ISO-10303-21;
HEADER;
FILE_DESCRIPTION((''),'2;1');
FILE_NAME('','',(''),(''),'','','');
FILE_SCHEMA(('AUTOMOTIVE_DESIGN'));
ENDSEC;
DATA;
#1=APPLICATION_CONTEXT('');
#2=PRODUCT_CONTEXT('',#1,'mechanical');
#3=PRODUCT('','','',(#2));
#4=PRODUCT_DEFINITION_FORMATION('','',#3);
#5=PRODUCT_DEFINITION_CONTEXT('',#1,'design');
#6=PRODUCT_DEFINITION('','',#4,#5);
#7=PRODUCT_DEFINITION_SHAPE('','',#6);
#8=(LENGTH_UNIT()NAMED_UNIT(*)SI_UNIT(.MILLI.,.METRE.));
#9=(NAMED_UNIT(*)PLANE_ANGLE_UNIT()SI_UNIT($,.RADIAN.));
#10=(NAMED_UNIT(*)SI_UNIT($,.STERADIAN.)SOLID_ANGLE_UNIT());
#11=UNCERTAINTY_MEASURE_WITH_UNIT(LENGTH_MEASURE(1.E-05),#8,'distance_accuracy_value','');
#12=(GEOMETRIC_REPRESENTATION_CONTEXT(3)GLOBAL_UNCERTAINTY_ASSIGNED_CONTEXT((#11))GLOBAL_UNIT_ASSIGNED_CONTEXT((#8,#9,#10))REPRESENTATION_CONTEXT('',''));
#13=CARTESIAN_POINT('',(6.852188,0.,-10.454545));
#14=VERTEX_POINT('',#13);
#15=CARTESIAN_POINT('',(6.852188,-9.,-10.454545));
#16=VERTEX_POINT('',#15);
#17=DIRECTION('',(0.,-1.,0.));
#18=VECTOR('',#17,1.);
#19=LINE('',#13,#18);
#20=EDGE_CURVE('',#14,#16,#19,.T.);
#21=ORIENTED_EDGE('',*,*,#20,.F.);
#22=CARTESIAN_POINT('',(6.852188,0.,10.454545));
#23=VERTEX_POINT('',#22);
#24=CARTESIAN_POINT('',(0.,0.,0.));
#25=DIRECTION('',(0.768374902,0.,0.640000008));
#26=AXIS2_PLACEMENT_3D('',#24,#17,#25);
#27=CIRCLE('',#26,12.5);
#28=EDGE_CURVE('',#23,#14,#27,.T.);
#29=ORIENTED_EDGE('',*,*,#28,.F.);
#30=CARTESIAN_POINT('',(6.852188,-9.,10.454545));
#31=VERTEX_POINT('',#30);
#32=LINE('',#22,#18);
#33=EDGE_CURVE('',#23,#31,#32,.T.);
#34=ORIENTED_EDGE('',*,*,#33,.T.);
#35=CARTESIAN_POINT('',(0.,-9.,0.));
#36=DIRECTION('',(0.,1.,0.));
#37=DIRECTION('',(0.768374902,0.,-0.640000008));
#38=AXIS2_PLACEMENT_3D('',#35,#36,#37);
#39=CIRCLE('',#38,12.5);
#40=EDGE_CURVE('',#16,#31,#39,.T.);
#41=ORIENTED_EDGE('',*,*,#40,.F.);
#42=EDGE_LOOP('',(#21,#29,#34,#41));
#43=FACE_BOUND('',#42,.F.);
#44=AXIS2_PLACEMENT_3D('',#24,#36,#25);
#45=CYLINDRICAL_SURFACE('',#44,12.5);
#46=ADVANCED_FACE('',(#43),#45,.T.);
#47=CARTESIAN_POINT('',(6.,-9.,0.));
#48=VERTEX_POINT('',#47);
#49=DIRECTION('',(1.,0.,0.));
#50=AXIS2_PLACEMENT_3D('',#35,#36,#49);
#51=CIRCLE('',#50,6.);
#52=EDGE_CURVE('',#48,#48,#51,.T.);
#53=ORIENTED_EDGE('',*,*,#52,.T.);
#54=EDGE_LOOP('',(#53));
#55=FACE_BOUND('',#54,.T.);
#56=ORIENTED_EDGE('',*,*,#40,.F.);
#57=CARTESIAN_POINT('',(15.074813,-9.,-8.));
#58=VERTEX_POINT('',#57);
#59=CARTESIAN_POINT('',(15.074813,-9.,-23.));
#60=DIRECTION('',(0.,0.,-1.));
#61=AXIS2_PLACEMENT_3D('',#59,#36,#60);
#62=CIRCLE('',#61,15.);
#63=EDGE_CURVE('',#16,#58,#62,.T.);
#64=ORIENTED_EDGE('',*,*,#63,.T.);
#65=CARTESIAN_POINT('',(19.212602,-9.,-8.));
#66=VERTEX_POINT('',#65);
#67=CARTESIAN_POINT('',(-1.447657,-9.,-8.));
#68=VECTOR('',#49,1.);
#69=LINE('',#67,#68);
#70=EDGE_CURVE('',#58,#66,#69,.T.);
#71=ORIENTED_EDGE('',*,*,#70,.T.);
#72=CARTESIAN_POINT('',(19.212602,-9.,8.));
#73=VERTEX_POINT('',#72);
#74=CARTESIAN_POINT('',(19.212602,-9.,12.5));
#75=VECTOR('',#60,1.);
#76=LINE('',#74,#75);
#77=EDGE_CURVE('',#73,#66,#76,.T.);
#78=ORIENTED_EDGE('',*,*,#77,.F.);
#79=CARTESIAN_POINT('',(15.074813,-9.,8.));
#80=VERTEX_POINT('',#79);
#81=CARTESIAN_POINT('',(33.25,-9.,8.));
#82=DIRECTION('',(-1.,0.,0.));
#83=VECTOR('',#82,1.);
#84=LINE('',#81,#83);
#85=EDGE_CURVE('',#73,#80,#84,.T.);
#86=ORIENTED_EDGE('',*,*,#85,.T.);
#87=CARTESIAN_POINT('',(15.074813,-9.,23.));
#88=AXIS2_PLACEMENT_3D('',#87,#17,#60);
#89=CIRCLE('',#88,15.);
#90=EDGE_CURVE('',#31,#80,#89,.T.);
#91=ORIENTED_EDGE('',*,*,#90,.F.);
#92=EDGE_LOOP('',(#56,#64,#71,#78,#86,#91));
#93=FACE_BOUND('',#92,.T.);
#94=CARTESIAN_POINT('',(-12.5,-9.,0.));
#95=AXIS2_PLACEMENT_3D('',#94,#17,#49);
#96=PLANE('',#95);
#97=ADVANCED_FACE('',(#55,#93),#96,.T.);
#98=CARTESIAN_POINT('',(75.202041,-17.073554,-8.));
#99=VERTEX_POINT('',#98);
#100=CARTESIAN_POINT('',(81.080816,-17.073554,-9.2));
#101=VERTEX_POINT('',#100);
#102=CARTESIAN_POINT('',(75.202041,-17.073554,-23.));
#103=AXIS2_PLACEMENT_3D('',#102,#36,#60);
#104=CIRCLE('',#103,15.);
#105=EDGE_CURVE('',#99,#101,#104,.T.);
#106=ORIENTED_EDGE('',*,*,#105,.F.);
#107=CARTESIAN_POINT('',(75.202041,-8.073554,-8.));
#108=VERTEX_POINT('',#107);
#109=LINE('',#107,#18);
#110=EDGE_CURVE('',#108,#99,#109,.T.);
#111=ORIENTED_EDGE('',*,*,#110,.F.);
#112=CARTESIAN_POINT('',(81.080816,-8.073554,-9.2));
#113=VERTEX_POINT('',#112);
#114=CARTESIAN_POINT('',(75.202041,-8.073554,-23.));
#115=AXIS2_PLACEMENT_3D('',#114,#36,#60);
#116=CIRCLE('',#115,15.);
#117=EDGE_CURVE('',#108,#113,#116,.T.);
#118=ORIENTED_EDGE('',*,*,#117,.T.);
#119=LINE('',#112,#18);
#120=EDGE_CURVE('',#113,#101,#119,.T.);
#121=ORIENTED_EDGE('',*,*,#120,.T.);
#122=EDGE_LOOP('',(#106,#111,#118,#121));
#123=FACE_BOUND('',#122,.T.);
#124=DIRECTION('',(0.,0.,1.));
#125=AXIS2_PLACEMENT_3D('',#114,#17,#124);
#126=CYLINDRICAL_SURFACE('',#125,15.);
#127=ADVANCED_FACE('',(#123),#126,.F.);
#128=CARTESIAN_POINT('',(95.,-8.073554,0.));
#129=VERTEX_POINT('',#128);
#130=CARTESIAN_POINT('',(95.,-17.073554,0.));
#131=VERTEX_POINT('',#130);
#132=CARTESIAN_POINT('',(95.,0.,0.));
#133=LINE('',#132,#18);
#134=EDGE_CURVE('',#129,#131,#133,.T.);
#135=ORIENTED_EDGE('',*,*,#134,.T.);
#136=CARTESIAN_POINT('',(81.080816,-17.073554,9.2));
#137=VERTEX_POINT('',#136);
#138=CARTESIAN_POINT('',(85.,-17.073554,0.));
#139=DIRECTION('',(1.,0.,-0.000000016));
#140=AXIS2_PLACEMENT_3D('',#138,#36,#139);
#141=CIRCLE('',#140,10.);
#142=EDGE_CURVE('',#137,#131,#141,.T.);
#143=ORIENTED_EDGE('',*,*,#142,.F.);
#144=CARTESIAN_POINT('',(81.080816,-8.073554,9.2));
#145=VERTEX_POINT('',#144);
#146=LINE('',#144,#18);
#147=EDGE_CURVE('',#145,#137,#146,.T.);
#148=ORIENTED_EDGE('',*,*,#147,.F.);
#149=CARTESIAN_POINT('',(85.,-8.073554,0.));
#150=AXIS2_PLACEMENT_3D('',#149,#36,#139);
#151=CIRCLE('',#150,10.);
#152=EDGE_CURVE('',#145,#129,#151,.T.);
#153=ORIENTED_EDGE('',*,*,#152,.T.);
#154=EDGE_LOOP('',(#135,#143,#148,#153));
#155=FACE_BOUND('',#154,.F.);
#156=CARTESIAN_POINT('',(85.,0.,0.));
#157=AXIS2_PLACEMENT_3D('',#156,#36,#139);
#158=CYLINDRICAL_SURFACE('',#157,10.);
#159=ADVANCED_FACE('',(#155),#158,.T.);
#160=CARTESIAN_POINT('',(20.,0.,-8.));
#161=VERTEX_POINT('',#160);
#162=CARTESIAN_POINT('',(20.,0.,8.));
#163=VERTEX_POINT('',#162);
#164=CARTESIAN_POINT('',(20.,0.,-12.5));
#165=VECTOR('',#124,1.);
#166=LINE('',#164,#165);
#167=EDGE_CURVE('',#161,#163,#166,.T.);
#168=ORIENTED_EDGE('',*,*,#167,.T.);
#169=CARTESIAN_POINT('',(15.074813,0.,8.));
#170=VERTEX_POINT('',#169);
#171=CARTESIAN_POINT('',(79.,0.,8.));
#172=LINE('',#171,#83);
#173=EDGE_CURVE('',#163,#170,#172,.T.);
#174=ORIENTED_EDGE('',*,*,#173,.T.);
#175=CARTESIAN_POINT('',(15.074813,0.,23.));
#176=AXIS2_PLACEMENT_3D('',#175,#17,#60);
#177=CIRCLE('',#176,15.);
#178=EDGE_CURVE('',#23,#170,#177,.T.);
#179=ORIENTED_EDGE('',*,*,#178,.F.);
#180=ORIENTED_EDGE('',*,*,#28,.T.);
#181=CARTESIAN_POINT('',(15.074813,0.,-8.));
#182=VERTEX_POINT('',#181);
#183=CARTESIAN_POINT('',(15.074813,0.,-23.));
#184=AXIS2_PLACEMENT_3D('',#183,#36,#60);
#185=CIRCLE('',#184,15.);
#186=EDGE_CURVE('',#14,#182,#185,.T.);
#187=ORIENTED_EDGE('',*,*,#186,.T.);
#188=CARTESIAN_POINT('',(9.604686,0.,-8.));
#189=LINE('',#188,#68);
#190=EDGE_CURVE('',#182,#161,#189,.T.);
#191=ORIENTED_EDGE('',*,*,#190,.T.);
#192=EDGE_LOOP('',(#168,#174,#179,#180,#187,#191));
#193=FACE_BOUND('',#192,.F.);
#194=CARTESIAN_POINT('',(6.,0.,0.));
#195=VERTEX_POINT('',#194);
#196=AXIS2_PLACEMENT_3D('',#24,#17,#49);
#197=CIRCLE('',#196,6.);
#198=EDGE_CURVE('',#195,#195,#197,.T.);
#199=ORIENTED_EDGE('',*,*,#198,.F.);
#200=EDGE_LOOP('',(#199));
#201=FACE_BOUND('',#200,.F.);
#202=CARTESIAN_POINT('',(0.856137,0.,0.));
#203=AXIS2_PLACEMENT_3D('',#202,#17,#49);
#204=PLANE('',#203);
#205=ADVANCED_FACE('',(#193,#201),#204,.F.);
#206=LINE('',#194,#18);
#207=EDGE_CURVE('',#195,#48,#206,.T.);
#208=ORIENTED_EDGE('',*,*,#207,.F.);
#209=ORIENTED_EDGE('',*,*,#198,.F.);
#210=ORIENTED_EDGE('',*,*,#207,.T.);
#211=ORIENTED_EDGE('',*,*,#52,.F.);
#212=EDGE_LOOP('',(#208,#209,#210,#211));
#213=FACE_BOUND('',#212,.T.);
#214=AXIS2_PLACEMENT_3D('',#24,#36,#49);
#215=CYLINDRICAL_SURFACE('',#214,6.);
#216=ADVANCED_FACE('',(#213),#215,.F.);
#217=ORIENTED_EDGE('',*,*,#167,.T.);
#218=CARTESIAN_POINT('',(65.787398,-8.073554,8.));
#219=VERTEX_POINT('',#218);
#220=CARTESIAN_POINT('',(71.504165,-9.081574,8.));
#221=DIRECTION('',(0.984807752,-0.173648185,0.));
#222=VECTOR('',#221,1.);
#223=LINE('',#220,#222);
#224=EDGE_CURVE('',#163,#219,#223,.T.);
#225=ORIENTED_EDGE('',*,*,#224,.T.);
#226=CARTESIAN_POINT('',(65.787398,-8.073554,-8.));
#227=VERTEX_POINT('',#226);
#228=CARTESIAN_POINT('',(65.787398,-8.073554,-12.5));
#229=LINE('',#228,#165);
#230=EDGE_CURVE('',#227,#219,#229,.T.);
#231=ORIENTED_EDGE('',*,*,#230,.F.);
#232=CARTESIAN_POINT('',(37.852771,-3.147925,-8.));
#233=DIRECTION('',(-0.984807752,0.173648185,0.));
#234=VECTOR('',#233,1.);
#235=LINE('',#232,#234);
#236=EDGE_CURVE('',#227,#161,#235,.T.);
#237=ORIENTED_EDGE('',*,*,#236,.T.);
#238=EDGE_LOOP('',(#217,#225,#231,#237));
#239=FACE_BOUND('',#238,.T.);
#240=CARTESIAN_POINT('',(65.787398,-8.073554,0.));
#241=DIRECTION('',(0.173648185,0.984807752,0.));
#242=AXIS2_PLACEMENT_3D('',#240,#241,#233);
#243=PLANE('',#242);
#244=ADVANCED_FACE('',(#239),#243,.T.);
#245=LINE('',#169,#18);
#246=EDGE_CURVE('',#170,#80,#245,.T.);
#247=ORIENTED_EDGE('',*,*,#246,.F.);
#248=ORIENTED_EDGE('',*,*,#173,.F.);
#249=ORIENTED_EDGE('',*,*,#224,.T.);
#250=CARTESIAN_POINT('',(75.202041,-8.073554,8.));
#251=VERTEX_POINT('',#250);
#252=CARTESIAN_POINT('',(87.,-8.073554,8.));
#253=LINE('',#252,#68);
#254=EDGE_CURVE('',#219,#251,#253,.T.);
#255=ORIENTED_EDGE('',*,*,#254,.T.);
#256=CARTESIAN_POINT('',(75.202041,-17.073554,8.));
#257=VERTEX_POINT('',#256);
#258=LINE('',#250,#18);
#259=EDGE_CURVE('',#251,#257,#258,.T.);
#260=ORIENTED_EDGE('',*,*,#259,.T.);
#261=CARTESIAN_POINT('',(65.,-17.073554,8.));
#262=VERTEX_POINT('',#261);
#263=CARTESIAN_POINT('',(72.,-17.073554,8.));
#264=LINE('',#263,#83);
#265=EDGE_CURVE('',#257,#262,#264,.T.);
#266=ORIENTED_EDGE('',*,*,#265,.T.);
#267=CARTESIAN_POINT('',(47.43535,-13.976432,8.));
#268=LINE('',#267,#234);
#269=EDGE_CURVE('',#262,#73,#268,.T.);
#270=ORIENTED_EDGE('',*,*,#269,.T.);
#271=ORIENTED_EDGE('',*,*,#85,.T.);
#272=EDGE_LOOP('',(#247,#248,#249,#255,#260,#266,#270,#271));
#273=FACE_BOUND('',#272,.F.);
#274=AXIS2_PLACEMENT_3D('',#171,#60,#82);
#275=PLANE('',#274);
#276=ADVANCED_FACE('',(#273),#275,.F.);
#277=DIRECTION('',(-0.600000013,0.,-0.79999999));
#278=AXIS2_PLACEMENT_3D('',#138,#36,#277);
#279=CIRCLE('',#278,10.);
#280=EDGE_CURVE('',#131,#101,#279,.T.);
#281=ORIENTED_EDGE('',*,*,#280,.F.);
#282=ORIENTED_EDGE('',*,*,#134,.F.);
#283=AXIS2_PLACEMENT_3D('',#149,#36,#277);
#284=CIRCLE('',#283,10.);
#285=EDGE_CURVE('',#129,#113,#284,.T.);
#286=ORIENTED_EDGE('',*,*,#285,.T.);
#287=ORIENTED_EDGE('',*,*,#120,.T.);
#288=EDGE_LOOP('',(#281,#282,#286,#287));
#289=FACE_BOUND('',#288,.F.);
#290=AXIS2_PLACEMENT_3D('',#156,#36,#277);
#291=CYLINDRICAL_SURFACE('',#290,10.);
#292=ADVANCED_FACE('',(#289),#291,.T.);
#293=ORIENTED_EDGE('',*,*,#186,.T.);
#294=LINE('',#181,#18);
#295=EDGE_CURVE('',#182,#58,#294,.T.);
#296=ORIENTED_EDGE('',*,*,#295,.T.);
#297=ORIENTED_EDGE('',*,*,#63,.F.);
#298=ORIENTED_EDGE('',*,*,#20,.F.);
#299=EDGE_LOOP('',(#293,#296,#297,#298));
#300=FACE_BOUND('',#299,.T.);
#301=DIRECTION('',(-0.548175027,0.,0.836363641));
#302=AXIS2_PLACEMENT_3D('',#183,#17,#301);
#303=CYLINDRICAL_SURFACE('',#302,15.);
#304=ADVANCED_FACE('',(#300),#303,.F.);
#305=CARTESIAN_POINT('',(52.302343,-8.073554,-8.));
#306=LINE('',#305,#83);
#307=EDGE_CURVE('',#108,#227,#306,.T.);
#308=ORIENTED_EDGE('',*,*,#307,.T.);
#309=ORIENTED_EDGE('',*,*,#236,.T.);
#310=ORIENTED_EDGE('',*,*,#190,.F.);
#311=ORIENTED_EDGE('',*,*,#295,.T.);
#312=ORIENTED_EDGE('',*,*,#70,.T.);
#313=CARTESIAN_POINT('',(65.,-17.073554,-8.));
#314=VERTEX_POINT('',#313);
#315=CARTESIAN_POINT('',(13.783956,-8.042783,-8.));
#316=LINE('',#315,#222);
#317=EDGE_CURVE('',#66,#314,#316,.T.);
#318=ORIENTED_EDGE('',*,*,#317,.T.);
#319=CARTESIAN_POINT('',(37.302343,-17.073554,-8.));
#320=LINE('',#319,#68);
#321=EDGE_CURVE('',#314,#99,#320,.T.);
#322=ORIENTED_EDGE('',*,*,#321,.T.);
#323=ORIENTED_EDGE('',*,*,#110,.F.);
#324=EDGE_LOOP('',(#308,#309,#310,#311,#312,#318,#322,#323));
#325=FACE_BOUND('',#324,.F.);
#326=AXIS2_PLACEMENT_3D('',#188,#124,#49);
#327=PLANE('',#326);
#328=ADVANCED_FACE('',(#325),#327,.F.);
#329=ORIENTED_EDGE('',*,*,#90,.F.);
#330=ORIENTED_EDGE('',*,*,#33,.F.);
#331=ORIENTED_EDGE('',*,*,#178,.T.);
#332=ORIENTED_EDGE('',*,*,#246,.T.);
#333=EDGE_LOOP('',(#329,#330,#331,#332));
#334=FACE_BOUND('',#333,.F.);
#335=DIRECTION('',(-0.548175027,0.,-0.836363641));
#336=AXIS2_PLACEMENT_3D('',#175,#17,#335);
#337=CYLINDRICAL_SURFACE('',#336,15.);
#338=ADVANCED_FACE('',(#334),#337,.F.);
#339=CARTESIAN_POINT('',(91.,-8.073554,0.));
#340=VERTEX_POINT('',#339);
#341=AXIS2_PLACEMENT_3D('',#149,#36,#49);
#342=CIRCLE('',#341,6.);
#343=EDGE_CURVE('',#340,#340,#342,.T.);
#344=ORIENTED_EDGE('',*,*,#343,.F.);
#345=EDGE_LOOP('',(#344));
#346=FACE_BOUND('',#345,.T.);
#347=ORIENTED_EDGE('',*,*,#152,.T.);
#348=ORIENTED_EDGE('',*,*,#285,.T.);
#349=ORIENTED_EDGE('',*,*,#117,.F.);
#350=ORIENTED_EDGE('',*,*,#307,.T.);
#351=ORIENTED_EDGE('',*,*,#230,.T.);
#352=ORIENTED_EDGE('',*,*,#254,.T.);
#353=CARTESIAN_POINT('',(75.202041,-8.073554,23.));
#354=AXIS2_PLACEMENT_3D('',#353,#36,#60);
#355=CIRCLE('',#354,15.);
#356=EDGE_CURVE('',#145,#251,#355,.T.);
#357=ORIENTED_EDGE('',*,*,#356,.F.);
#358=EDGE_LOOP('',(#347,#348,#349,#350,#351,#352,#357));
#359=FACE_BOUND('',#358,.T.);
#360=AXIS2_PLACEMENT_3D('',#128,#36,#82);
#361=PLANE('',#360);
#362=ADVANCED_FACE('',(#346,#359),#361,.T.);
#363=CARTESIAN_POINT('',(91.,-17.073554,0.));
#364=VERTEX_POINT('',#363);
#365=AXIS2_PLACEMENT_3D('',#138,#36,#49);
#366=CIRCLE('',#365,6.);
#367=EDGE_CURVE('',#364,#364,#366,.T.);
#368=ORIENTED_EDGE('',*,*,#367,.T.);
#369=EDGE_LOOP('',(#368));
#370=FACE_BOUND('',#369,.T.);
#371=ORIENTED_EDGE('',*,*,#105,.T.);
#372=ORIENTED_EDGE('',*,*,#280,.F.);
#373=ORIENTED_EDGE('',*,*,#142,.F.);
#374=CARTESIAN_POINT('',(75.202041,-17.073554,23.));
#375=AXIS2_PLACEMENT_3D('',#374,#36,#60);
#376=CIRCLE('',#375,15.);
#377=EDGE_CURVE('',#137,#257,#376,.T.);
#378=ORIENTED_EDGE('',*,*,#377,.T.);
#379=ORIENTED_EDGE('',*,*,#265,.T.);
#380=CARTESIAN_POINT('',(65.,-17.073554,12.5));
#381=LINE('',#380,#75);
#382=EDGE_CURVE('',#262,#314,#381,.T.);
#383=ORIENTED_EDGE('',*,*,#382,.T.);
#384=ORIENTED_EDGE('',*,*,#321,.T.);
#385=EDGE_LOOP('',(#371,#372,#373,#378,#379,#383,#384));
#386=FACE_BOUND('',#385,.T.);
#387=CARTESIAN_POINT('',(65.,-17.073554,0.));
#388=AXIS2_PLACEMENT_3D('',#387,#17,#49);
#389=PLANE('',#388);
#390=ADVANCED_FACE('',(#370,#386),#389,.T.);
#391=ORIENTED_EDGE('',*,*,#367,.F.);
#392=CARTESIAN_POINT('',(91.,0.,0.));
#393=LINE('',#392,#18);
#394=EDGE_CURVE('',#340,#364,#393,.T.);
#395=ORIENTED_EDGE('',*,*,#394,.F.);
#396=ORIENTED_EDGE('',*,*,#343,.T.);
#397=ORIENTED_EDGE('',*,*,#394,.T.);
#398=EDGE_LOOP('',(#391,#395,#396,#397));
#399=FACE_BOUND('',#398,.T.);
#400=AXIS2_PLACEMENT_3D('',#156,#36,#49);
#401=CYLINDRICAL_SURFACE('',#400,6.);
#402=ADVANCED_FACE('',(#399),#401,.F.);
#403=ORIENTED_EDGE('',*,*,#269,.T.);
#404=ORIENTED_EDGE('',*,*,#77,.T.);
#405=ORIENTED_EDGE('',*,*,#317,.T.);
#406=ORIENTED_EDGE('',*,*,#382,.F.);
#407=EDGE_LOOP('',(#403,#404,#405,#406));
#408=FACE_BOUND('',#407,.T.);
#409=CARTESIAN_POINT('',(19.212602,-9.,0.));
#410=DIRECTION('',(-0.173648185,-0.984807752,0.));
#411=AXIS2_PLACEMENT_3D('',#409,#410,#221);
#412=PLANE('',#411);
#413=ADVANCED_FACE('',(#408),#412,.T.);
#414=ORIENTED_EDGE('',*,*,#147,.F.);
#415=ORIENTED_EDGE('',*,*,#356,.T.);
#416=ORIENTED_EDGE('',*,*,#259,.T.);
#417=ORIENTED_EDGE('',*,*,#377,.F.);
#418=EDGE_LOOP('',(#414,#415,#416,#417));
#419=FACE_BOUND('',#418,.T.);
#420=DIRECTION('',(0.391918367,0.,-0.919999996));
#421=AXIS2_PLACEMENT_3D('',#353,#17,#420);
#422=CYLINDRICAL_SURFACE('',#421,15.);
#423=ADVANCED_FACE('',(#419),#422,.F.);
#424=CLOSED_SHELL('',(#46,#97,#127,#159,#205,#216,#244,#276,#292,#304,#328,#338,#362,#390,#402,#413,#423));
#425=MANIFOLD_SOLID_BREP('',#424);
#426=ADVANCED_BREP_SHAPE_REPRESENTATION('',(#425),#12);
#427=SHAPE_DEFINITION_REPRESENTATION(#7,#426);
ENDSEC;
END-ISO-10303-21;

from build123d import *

# Parameters (mm, degrees)
F0_R     = 6
F1_DEPTH = 25
F3_DEPTH = 12.5
F4_R     = 15


with BuildPart() as f1:
    # F0 (on Front) → F1 (new body)
    with BuildSketch(Plane.XZ):
        with BuildLine():
            ThreePointArc((9.604686, -8), (11.753905, -4.253905), (12.5, 0))
            ThreePointArc((12.5, 0), (11.753905, 4.253905), (9.604686, 8))
            ThreePointArc((9.604686, 8), (-12.5, 0), (9.604686, -8))
        make_face()
        Circle(F0_R, mode=Mode.SUBTRACT)
        with BuildLine():
            ThreePointArc((9.604686, 8), (11.753905, 4.253905), (12.5, 0))
            ThreePointArc((12.5, 0), (11.753905, -4.253905), (9.604686, -8))
            Line((9.604686, -8), (79, -8))
            ThreePointArc((79, -8), (75, 0), (79, 8))
            Line((79, 8), (9.604686, 8))
        make_face()
        with BuildLine():
            ThreePointArc((95, 0), (89.472136, 8.944272), (79, 8))
            ThreePointArc((79, 8), (75, 0), (79, -8))
            ThreePointArc((79, -8), (89.472136, -8.944272), (95, 0))
        make_face()
        with Locations((85, 0)):
            Circle(F0_R, mode=Mode.SUBTRACT)
    extrude(amount=F1_DEPTH)

    # F2 (on Top) → F3 (intersect, symmetric)
    with BuildSketch(Plane.XY):
        Polygon((95, -17.073554), (95, -8.073554), (65.787398, -8.073554), (20, 0), (-12.5, 0), (-12.5, -9), (19.212602, -9), (65, -17.073554), align=None)
    extrude(amount=F3_DEPTH, both=True, mode=Mode.INTERSECT)

    # F4
    f4_edges = [f1.edges().sort_by_distance(p)[0] for p in [
        (79, -12.573554, -8),
        (9.604686, -4.5, -8),
        (9.604686, -4.5, 8),
        (79, -12.573554, 8),
    ]]
    fillet(f4_edges, radius=F4_R)


solid = f1.part
